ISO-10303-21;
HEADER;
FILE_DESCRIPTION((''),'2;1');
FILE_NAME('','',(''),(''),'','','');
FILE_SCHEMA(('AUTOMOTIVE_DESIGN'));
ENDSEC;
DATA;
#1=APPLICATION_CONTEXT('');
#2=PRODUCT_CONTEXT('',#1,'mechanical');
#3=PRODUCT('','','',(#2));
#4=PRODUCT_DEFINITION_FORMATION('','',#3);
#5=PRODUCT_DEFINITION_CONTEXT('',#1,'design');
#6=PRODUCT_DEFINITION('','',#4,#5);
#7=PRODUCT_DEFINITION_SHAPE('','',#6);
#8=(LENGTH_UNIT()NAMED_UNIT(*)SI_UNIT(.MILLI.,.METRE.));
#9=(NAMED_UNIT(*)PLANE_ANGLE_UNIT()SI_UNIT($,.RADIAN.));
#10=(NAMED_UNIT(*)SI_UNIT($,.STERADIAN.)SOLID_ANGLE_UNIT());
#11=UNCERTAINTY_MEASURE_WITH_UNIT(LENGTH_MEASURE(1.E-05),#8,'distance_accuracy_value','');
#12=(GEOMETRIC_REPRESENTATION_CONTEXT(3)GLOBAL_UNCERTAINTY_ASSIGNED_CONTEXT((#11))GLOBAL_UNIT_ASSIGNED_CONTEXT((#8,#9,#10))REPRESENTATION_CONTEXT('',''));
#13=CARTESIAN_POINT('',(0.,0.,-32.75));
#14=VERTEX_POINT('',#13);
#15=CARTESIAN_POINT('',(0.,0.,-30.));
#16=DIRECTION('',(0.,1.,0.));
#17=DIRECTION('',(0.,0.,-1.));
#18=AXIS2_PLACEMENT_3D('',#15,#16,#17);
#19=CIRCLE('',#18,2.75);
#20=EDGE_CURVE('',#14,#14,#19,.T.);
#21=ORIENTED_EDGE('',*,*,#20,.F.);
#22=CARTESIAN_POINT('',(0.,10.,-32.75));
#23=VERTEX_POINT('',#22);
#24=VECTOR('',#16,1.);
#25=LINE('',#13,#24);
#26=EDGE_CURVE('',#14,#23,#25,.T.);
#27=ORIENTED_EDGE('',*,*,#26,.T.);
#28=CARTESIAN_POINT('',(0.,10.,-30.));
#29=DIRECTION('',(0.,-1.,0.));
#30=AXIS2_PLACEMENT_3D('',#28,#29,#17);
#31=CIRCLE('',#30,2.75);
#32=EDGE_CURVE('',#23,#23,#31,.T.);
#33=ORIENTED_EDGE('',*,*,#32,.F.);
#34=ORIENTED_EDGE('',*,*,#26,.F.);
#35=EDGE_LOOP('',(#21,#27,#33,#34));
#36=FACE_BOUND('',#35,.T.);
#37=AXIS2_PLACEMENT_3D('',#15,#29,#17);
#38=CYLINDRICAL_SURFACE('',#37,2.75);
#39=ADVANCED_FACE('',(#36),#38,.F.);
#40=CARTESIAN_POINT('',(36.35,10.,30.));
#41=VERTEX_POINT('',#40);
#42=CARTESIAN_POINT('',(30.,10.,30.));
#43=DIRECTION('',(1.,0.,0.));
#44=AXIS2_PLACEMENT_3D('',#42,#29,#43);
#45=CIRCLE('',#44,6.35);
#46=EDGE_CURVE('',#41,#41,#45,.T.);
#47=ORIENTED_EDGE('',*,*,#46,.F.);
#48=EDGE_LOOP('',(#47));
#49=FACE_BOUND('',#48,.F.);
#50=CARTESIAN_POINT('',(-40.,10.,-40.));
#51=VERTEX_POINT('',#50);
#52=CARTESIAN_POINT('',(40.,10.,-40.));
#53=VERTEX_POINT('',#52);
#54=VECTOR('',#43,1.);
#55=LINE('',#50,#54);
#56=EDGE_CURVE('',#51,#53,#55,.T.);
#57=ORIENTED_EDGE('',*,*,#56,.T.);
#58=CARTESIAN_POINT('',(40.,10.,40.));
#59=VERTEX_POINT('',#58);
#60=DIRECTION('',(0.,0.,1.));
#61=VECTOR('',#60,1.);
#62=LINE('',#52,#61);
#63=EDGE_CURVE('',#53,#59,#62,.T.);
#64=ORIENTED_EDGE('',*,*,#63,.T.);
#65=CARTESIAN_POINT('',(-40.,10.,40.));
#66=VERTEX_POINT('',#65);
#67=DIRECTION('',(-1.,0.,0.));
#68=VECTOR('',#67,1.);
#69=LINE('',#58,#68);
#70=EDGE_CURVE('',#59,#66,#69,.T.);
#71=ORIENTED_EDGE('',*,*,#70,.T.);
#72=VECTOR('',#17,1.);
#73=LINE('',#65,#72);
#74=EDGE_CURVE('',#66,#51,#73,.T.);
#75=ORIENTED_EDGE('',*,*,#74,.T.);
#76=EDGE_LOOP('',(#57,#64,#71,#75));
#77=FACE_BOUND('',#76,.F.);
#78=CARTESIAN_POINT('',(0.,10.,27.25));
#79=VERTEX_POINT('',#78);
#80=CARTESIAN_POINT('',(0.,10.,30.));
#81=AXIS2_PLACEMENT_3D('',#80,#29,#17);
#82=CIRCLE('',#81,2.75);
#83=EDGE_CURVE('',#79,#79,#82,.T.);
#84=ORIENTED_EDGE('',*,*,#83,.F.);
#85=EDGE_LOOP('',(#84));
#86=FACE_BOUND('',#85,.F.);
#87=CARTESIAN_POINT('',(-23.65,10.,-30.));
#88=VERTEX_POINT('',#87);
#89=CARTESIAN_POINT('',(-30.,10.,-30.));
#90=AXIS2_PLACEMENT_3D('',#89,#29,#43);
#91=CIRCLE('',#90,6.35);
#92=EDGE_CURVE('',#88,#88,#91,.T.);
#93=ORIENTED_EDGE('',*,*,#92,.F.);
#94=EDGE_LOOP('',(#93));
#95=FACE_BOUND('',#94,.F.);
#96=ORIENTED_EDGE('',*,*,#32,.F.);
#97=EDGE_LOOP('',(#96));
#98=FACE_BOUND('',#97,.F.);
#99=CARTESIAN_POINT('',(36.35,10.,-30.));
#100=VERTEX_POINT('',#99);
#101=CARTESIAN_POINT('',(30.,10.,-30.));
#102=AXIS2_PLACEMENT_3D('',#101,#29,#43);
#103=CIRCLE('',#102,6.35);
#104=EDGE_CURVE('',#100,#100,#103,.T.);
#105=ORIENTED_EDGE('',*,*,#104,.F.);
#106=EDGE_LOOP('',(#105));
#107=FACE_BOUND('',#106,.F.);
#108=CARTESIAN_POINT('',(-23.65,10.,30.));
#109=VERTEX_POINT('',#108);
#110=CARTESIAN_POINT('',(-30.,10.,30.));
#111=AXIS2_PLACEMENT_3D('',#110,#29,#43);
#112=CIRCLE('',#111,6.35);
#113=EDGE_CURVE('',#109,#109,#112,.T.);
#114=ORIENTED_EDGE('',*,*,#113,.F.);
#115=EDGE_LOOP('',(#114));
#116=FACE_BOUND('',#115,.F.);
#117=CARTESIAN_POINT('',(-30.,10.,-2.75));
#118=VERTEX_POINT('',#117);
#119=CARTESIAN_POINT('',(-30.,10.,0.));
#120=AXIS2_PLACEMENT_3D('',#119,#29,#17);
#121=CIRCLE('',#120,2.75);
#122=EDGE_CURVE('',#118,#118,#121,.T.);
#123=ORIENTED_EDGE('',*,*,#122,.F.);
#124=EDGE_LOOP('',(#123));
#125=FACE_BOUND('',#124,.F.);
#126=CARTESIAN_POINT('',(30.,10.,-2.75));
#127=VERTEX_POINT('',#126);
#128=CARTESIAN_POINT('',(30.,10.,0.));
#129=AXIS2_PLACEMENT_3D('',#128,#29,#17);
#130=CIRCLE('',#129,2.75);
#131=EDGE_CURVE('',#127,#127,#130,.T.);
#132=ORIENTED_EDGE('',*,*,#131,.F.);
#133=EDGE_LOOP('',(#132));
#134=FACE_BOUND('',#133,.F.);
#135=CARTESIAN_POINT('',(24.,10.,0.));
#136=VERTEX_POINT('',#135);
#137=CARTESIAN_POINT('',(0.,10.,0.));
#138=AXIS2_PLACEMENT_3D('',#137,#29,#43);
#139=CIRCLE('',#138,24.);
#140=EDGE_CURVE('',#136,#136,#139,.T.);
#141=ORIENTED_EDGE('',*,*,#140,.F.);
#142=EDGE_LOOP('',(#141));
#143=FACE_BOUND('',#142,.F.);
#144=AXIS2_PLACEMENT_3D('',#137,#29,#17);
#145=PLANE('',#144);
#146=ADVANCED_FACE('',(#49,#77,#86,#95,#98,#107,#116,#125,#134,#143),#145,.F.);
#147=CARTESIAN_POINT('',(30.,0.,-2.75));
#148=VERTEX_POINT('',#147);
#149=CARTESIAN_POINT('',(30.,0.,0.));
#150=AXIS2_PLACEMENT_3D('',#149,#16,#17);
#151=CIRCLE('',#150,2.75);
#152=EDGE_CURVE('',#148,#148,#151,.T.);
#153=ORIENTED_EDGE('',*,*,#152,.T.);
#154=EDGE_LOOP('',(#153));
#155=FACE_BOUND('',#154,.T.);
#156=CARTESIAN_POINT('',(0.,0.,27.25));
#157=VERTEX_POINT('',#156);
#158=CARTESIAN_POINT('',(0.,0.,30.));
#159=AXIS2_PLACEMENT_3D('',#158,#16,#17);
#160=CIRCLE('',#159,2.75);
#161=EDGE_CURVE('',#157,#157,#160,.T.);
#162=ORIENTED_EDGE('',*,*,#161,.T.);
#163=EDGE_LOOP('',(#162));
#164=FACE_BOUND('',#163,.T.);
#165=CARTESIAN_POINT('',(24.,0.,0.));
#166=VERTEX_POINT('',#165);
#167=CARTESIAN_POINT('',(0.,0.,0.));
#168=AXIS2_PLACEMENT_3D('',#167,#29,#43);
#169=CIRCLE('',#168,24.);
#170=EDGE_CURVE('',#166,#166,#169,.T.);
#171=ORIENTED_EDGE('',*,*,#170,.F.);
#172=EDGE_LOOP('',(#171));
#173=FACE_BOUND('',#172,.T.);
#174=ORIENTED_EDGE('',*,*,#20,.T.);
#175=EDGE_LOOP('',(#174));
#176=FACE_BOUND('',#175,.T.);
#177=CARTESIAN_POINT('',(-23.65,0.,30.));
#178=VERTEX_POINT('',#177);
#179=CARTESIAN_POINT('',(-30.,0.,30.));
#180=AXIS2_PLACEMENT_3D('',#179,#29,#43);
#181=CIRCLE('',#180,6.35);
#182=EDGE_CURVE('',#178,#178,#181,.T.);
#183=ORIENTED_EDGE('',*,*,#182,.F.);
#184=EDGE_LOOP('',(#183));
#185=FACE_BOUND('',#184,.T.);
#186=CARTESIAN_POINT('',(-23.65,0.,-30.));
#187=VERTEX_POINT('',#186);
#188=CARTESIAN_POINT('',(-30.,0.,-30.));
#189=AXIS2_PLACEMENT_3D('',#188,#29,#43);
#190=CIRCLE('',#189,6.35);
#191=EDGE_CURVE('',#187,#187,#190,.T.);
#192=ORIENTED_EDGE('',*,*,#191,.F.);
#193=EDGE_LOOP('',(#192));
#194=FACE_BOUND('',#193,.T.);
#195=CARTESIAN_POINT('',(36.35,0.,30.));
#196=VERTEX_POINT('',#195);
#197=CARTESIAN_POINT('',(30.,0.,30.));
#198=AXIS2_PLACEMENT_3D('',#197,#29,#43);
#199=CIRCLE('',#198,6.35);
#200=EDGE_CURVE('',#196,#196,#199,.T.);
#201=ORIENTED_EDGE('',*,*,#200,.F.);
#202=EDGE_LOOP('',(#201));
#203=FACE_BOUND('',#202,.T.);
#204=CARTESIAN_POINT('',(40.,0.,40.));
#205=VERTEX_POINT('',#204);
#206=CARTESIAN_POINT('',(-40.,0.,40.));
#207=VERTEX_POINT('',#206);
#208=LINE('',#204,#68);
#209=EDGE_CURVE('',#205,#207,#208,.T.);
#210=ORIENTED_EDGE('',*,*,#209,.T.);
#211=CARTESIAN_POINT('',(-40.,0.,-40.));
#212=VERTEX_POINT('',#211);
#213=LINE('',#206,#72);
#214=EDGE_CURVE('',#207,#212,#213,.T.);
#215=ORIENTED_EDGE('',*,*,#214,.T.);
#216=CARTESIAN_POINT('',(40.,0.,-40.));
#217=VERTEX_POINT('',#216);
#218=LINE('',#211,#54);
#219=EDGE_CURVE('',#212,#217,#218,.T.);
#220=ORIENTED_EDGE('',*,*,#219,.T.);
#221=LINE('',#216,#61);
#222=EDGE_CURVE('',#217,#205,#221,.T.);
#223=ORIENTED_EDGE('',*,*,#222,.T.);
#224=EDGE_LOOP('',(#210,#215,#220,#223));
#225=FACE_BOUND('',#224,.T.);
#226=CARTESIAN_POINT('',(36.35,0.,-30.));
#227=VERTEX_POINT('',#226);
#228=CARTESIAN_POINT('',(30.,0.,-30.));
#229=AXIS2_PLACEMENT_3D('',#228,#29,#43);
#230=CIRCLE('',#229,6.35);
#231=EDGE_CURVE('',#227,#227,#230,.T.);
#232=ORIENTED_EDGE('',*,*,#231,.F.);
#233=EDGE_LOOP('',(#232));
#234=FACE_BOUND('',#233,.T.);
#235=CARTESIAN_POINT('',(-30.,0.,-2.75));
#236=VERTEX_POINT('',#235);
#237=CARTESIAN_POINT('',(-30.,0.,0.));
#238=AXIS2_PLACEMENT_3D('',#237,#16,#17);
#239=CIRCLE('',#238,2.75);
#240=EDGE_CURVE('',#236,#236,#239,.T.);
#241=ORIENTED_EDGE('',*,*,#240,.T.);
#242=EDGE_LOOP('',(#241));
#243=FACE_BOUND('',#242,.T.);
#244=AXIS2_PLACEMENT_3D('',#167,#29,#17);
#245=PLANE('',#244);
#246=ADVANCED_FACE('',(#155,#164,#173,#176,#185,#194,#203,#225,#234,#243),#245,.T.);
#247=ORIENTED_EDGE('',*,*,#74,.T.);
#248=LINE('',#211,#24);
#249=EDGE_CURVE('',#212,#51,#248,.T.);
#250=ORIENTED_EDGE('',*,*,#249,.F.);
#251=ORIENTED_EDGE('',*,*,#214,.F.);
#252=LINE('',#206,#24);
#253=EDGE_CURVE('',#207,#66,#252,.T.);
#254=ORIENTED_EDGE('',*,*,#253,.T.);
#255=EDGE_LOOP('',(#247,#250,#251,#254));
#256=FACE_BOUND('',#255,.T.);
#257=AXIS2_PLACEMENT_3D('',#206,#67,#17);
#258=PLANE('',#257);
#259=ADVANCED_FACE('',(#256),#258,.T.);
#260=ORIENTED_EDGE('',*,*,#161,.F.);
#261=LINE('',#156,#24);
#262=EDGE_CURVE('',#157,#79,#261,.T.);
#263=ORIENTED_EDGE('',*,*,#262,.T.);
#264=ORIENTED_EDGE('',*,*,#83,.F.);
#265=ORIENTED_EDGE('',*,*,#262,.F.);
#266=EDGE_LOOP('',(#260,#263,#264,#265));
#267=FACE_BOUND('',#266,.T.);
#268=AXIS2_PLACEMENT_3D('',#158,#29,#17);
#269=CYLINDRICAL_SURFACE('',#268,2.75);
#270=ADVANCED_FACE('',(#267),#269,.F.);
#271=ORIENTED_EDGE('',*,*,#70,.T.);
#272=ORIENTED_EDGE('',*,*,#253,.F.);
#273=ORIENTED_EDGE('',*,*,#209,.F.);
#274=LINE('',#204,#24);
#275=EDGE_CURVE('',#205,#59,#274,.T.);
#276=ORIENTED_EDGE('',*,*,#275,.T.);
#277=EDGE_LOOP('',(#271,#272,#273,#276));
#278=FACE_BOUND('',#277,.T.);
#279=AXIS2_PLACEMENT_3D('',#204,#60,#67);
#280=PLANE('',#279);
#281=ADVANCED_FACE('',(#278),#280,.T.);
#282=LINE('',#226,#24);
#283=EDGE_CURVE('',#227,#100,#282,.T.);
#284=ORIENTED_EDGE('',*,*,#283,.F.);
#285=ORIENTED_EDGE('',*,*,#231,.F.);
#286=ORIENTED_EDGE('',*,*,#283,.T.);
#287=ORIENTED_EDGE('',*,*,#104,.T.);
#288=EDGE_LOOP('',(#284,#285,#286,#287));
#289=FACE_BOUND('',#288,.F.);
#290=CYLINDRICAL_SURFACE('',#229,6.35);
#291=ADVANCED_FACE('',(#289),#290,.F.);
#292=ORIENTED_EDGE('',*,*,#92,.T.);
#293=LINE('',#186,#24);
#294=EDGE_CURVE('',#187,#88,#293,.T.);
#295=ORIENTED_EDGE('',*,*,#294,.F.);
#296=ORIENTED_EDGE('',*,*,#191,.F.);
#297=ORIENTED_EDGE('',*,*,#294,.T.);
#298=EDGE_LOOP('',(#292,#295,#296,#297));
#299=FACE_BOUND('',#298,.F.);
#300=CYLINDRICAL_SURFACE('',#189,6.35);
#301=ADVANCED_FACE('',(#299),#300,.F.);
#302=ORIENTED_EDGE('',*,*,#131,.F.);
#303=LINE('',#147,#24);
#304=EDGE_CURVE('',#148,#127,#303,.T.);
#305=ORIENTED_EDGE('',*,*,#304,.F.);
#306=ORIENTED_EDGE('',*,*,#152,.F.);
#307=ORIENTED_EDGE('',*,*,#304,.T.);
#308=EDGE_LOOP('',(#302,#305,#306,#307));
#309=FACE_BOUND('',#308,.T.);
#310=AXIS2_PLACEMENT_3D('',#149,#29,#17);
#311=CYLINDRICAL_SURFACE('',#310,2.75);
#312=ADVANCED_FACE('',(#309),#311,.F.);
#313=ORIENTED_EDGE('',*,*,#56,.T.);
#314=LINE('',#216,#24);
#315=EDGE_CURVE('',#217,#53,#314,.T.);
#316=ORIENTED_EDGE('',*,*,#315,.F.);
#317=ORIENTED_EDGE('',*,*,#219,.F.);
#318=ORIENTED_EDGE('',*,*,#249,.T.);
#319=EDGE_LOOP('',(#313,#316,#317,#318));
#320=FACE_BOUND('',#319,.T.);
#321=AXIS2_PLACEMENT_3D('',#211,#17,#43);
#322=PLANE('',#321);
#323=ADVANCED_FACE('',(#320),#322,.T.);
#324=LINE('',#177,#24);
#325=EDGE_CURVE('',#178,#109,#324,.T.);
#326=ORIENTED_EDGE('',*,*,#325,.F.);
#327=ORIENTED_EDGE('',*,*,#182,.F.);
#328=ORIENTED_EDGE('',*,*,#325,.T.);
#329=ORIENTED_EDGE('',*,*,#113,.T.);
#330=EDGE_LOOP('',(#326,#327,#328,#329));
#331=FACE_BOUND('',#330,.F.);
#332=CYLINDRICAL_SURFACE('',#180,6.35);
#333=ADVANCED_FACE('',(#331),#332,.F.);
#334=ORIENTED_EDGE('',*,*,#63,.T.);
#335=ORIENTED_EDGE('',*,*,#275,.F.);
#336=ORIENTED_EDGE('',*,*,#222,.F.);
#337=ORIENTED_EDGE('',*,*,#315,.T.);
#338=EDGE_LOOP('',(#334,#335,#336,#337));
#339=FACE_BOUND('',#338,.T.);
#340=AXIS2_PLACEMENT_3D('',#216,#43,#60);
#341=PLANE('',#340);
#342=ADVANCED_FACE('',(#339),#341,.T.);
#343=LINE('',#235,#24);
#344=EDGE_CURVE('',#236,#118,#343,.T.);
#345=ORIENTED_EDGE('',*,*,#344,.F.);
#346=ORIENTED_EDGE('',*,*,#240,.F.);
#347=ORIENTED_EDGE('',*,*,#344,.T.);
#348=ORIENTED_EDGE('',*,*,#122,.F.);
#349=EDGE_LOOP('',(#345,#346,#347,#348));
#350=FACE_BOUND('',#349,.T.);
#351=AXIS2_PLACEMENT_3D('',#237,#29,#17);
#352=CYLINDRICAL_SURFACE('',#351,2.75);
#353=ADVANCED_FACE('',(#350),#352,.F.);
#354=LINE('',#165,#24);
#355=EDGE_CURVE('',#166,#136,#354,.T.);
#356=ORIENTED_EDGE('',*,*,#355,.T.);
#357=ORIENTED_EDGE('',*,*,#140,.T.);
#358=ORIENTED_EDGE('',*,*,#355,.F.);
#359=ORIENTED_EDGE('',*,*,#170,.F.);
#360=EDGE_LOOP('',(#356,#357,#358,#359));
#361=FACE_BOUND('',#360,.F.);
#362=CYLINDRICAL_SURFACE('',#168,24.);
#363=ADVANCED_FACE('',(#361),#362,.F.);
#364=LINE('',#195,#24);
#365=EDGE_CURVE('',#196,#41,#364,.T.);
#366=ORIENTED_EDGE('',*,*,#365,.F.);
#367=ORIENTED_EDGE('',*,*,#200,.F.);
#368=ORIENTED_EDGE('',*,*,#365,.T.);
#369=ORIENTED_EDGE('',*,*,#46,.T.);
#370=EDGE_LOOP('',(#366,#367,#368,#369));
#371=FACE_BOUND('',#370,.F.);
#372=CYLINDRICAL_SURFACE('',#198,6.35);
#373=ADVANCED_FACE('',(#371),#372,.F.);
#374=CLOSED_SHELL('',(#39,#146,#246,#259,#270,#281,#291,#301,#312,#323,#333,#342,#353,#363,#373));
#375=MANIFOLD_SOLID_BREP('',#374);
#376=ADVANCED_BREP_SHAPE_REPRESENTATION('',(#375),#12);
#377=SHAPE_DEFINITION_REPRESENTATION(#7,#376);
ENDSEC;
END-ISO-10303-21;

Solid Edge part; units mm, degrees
sketch "Sketch1" plane through (0, 0, 0) normal (0, -1, 0) x (1, 0, 0)
  line L0 (40, 40) -> (-40, 40)
  line L1 (-40, 40) -> (-40, -40)
  line L2 (-40, -40) -> (40, -40)
  line L3 (40, -40) -> (40, 40)
  circle A0 centre (0, 0) radius 24
extrude "Extrusionsausprägung_23" add sketch "Sketch1" against normal blind 10
hole "Bohrung_5" at (0, 0, 30) direction (0, 1, 0) diameter 5.5 end up to next
hole "Hole1" at (30, 0, 0) direction (0, 1, 0) diameter 5.5 end up to next
hole "Hole2" at (0, 0, -30) direction (0, 1, 0) diameter 5.5 end up to next
hole "Hole3" at (-30, 0, 0) direction (0, 1, 0) diameter 5.5 end up to next
sketch "Sketch2" plane through (0, 0, 0) normal (0, -1, 0) x (1, 0, 0)
  circle A0 centre (-30, 30) radius 6.35
  circle A1 centre (30, 30) radius 6.35
  circle A2 centre (30, -30) radius 6.35
  circle A3 centre (-30, -30) radius 6.35
extrude "Extrusionsausschnitt_26" cut sketch "Sketch2" against normal blind 274
